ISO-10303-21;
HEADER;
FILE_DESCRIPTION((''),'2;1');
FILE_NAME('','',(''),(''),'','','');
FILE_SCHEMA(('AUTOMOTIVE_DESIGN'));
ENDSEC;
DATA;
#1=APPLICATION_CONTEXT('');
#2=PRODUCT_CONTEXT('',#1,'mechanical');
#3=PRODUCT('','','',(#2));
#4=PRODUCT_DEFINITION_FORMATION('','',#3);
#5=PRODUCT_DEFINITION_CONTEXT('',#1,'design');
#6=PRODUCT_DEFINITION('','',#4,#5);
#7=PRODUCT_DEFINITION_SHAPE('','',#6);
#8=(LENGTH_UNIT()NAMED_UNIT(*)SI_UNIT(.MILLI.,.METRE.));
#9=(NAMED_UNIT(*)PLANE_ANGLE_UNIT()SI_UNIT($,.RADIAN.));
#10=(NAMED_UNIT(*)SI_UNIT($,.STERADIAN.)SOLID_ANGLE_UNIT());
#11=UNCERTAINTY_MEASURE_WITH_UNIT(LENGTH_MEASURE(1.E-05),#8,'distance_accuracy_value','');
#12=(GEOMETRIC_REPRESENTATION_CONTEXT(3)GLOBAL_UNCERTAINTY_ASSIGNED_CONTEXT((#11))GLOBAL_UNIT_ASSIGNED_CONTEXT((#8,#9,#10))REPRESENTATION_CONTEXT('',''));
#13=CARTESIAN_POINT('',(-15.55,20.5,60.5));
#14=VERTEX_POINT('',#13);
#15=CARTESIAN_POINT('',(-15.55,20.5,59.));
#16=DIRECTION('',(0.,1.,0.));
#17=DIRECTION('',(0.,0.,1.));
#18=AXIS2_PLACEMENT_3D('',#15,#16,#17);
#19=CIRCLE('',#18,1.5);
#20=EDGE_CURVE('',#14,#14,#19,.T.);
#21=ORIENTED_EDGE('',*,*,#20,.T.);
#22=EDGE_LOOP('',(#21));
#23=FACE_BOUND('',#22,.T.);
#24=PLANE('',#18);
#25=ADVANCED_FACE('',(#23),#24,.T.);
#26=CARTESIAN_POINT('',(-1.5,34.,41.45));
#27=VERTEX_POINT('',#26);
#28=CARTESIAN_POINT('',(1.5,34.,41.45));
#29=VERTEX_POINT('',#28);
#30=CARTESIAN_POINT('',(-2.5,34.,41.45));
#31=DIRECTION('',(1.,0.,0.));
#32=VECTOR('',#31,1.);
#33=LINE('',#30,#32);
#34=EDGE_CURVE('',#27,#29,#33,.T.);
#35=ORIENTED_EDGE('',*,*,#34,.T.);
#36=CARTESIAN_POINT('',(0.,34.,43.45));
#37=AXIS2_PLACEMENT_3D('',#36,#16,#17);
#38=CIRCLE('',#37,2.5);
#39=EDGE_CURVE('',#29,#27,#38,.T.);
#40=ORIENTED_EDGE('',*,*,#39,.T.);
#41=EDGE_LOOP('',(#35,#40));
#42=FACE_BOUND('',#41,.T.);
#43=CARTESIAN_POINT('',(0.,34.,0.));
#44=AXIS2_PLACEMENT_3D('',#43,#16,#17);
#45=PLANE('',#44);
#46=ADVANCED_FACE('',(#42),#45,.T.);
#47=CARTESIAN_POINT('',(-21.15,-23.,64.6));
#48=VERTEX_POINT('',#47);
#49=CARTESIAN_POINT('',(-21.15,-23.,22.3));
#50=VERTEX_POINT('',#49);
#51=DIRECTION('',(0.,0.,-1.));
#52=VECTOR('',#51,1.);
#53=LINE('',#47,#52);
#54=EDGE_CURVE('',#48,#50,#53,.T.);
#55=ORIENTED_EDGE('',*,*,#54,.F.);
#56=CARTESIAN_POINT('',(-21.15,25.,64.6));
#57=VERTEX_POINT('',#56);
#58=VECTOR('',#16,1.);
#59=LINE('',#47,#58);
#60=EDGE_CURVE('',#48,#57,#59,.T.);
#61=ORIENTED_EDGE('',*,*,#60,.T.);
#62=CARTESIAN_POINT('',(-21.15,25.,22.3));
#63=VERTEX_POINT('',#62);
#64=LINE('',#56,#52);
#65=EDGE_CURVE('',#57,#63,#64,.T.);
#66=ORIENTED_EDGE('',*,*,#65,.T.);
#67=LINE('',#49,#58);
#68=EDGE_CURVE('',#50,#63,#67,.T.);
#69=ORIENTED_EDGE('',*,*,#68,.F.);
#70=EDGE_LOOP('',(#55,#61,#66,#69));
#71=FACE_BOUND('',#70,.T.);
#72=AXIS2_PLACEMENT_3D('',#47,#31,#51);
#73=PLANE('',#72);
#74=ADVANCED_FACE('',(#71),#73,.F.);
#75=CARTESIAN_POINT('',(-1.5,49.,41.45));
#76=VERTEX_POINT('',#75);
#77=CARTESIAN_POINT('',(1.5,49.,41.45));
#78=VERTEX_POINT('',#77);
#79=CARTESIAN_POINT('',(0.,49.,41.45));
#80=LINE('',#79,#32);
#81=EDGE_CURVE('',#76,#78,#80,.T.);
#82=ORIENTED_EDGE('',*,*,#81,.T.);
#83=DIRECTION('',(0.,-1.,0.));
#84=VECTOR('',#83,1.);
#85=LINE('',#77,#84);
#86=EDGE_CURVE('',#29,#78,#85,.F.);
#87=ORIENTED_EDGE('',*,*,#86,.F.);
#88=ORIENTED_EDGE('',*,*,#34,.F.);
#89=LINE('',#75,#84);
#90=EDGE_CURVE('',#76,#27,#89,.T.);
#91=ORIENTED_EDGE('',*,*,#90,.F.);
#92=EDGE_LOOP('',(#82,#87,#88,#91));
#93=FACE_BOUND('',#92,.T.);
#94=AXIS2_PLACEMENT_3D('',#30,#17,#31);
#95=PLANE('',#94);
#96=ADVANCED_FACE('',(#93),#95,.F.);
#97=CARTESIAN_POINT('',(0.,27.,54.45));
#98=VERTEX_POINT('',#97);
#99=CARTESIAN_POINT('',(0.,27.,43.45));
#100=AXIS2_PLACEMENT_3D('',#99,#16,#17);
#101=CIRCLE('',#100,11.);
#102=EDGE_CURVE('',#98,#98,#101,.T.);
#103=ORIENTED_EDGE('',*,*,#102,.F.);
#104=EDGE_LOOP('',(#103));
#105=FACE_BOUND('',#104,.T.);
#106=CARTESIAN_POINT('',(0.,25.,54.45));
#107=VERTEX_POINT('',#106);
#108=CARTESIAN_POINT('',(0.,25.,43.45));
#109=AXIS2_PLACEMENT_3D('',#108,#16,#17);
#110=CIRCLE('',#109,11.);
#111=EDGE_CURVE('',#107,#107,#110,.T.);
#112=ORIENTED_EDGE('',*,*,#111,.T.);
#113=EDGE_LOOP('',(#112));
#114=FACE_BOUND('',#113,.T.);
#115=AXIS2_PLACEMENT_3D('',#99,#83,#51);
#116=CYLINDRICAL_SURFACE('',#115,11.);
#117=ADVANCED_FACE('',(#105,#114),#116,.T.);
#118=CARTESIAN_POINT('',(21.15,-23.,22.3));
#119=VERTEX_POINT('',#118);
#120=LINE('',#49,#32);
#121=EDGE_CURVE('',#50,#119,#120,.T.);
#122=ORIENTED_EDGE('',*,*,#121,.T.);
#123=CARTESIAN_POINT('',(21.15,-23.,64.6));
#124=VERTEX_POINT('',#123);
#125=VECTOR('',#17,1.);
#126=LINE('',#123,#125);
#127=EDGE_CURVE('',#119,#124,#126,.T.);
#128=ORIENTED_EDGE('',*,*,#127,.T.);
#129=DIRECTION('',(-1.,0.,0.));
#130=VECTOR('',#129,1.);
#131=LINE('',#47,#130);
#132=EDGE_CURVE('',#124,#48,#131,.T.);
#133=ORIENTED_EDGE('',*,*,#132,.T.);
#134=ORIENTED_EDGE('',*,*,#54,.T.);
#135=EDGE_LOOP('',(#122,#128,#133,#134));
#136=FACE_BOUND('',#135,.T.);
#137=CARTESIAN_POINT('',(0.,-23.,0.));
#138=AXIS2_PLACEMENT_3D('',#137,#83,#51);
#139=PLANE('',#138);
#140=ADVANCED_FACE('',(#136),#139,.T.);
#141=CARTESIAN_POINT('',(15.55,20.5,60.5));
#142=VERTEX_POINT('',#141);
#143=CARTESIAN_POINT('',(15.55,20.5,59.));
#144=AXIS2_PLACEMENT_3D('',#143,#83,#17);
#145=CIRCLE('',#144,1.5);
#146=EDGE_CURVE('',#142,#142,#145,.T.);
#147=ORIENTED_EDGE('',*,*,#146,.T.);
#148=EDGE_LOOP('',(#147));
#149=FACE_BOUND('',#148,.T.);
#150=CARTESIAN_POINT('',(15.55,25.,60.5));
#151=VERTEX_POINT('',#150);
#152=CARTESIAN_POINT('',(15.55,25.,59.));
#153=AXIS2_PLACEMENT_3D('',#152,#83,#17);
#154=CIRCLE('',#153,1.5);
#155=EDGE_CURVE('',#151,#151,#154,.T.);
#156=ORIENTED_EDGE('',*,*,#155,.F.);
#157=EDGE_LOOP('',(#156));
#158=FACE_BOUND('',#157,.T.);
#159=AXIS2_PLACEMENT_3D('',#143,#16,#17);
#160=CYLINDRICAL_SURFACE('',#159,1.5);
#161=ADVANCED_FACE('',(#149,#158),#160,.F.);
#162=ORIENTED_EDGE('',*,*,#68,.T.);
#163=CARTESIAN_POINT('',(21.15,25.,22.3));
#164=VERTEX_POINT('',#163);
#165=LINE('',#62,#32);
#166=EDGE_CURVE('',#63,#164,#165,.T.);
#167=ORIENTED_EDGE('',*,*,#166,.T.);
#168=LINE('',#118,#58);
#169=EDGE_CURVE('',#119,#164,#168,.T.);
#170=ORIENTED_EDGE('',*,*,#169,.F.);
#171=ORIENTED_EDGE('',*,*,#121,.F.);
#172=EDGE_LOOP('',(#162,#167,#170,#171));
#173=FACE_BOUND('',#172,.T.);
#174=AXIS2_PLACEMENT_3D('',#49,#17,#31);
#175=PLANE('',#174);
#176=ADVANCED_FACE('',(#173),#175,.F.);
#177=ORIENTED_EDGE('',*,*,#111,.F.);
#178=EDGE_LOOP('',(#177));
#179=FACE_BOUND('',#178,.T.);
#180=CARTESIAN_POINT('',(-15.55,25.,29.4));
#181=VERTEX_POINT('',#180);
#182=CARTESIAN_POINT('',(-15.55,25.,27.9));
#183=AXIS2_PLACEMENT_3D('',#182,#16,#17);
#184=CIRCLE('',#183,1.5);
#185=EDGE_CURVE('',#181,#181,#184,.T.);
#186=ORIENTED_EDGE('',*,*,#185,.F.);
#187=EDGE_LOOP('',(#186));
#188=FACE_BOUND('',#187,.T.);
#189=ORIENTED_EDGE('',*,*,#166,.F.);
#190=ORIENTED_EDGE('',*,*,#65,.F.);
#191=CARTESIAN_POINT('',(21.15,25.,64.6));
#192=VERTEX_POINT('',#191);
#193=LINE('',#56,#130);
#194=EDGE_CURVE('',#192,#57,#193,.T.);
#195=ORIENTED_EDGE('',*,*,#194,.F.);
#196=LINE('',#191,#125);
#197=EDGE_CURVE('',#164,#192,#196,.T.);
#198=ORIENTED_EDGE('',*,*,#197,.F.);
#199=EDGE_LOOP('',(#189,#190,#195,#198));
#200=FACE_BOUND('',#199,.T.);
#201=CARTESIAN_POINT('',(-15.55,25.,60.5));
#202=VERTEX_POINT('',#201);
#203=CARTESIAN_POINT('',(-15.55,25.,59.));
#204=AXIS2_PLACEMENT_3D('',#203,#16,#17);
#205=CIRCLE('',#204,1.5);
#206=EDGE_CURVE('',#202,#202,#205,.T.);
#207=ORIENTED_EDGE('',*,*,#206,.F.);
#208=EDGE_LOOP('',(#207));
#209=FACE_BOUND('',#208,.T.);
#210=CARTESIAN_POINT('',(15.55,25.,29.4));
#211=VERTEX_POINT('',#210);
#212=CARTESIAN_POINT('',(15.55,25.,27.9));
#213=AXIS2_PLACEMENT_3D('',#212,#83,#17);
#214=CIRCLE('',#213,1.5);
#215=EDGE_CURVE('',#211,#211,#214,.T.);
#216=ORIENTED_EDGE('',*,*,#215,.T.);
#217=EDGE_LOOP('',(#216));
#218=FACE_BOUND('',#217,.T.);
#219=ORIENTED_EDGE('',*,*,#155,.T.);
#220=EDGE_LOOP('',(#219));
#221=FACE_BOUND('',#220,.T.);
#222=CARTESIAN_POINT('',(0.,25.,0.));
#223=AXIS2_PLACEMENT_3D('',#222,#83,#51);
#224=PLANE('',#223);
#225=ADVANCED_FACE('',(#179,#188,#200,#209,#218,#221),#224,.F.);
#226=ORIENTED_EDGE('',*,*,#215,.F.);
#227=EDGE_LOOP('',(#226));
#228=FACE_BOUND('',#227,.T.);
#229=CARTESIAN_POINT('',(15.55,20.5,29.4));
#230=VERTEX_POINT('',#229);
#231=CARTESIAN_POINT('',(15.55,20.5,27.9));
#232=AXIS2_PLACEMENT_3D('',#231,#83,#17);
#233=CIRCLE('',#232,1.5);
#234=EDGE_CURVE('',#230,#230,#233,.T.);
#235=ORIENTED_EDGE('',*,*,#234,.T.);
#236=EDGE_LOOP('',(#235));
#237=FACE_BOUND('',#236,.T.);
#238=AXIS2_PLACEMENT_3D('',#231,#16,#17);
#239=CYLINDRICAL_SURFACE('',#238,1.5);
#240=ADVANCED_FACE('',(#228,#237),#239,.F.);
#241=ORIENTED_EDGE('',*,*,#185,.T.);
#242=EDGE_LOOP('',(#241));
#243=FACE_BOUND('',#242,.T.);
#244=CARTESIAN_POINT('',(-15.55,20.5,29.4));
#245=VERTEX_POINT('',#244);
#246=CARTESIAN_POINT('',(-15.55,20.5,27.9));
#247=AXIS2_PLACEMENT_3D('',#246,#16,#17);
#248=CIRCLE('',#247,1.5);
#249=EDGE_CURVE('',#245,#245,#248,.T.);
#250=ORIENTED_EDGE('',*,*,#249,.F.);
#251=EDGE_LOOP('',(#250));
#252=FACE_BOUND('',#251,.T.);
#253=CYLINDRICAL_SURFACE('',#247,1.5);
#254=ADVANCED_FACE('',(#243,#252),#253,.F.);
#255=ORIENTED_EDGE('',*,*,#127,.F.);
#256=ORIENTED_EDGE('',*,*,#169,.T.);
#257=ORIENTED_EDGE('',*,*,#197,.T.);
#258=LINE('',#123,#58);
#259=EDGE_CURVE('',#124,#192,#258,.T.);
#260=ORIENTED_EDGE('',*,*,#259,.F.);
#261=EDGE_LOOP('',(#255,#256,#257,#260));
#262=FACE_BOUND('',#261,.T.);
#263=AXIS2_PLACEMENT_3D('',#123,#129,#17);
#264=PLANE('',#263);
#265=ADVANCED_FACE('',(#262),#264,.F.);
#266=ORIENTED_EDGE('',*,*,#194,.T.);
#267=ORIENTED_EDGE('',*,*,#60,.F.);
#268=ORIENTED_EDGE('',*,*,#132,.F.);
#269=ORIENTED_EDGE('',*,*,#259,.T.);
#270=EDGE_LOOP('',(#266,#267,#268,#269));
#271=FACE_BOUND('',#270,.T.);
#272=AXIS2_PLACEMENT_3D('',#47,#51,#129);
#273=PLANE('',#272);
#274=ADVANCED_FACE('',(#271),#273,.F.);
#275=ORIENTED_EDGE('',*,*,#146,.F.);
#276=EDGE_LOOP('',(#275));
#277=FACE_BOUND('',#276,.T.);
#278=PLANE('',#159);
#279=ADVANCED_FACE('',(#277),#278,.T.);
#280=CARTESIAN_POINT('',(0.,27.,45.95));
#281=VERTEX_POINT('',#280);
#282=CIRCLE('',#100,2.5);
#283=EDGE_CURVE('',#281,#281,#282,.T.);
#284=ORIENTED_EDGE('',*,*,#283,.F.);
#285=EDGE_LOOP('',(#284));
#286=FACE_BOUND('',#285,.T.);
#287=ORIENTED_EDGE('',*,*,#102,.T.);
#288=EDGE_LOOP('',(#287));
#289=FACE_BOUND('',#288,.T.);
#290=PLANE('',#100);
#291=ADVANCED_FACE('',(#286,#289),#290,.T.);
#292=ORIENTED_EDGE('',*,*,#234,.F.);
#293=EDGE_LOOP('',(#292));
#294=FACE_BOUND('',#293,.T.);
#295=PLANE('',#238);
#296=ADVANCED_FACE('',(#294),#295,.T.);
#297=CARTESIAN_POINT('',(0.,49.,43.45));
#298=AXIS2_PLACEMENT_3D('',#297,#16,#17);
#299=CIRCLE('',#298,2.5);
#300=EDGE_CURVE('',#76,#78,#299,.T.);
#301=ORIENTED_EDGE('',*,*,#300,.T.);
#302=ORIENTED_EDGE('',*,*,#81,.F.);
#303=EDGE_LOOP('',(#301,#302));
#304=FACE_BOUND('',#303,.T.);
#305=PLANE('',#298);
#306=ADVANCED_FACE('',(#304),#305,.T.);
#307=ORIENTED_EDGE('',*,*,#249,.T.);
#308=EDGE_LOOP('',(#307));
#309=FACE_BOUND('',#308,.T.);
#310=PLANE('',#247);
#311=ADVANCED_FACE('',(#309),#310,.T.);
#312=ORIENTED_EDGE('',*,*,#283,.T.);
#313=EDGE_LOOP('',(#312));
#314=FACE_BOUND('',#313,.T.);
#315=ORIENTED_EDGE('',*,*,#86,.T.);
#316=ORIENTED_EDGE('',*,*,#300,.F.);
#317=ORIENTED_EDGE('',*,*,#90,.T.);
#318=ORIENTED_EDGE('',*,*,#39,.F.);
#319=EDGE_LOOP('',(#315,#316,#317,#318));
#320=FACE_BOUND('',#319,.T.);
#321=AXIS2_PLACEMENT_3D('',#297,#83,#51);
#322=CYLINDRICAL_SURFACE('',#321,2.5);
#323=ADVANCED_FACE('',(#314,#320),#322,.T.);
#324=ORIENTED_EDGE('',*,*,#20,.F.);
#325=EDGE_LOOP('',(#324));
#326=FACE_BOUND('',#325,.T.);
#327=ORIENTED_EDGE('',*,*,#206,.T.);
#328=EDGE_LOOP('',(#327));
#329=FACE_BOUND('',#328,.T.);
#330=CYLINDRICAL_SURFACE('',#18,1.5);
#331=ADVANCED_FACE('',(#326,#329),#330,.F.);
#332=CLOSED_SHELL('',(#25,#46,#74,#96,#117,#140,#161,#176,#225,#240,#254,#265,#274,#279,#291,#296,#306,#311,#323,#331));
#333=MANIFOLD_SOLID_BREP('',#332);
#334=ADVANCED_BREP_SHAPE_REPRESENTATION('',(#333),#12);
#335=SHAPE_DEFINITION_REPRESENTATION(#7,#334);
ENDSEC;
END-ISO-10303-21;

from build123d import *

# Parameters (mm, degrees)
SKIZZE1_W                       = 42.3
SKIZZE1_H                       = 42.3
AUFSATZ_LINEAR_AUSTRAGEN1_DEPTH = 48
SKIZZE2_R                       = 11
AUFSATZ_LINEAR_AUSTRAGEN2_DEPTH = 2
SKIZZE3_R                       = 2.5
AUFSATZ_LINEAR_AUSTRAGEN3_DEPTH = 22
SKIZZE4_W                       = 5
SKIZZE4_H                       = 0.5
SCHNITT_LINEAR_AUSTRAGEN1_DEPTH = 15
SKIZZE6_R                       = 1.5
SCHNITT_LINEAR_AUSTRAGEN2_DEPTH = 4.5


with BuildPart() as part:
    # Skizze1 → Aufsatz-Linear austragen1 (new body)
    with BuildSketch(Plane.XZ.offset(-25)):
        with Locations((0, 43.45)):
            Rectangle(SKIZZE1_W, SKIZZE1_H)
    extrude(amount=AUFSATZ_LINEAR_AUSTRAGEN1_DEPTH)

    # Skizze2 → Aufsatz-Linear austragen2 (add)
    with BuildSketch(Plane(origin=(0, 25, 0), x_dir=(1, 0, 0), z_dir=(0, 1, 0))):
        with Locations((0, -43.45)):
            Circle(SKIZZE2_R)
    extrude(amount=AUFSATZ_LINEAR_AUSTRAGEN2_DEPTH)

    # Skizze3 → Aufsatz-Linear austragen3 (add)
    with BuildSketch(Plane(origin=(0, 27, 0), x_dir=(1, 0, 0), z_dir=(0, 1, 0))):
        with Locations((0, -43.45)):
            Circle(SKIZZE3_R)
    extrude(amount=AUFSATZ_LINEAR_AUSTRAGEN3_DEPTH)

    # Skizze4 → Schnitt-Linear austragen1 (cut)
    with BuildSketch(Plane(origin=(0, 49, 0), x_dir=(1, 0, 0), z_dir=(0, 1, 0))):
        with Locations((0, -41.2)):
            Rectangle(SKIZZE4_W, SKIZZE4_H)
    extrude(amount=-SCHNITT_LINEAR_AUSTRAGEN1_DEPTH, mode=Mode.SUBTRACT)

    # Skizze6 → Schnitt-Linear austragen2 (cut)
    with BuildSketch(Plane(origin=(0, 25, 0), x_dir=(1, 0, 0), z_dir=(0, 1, 0))):
        with Locations((-15.55, -27.9)):
            Circle(SKIZZE6_R)
        with Locations((-15.55, -59)):
            Circle(SKIZZE6_R)
    schnitt_linear_austragen2 = extrude(amount=-SCHNITT_LINEAR_AUSTRAGEN2_DEPTH, mode=Mode.SUBTRACT)

    # Spiegeln1: Schnitt-Linear austragen2 across plane
    add(schnitt_linear_austragen2.mirror(Plane.ZY), mode=Mode.SUBTRACT)


solid = part.part
